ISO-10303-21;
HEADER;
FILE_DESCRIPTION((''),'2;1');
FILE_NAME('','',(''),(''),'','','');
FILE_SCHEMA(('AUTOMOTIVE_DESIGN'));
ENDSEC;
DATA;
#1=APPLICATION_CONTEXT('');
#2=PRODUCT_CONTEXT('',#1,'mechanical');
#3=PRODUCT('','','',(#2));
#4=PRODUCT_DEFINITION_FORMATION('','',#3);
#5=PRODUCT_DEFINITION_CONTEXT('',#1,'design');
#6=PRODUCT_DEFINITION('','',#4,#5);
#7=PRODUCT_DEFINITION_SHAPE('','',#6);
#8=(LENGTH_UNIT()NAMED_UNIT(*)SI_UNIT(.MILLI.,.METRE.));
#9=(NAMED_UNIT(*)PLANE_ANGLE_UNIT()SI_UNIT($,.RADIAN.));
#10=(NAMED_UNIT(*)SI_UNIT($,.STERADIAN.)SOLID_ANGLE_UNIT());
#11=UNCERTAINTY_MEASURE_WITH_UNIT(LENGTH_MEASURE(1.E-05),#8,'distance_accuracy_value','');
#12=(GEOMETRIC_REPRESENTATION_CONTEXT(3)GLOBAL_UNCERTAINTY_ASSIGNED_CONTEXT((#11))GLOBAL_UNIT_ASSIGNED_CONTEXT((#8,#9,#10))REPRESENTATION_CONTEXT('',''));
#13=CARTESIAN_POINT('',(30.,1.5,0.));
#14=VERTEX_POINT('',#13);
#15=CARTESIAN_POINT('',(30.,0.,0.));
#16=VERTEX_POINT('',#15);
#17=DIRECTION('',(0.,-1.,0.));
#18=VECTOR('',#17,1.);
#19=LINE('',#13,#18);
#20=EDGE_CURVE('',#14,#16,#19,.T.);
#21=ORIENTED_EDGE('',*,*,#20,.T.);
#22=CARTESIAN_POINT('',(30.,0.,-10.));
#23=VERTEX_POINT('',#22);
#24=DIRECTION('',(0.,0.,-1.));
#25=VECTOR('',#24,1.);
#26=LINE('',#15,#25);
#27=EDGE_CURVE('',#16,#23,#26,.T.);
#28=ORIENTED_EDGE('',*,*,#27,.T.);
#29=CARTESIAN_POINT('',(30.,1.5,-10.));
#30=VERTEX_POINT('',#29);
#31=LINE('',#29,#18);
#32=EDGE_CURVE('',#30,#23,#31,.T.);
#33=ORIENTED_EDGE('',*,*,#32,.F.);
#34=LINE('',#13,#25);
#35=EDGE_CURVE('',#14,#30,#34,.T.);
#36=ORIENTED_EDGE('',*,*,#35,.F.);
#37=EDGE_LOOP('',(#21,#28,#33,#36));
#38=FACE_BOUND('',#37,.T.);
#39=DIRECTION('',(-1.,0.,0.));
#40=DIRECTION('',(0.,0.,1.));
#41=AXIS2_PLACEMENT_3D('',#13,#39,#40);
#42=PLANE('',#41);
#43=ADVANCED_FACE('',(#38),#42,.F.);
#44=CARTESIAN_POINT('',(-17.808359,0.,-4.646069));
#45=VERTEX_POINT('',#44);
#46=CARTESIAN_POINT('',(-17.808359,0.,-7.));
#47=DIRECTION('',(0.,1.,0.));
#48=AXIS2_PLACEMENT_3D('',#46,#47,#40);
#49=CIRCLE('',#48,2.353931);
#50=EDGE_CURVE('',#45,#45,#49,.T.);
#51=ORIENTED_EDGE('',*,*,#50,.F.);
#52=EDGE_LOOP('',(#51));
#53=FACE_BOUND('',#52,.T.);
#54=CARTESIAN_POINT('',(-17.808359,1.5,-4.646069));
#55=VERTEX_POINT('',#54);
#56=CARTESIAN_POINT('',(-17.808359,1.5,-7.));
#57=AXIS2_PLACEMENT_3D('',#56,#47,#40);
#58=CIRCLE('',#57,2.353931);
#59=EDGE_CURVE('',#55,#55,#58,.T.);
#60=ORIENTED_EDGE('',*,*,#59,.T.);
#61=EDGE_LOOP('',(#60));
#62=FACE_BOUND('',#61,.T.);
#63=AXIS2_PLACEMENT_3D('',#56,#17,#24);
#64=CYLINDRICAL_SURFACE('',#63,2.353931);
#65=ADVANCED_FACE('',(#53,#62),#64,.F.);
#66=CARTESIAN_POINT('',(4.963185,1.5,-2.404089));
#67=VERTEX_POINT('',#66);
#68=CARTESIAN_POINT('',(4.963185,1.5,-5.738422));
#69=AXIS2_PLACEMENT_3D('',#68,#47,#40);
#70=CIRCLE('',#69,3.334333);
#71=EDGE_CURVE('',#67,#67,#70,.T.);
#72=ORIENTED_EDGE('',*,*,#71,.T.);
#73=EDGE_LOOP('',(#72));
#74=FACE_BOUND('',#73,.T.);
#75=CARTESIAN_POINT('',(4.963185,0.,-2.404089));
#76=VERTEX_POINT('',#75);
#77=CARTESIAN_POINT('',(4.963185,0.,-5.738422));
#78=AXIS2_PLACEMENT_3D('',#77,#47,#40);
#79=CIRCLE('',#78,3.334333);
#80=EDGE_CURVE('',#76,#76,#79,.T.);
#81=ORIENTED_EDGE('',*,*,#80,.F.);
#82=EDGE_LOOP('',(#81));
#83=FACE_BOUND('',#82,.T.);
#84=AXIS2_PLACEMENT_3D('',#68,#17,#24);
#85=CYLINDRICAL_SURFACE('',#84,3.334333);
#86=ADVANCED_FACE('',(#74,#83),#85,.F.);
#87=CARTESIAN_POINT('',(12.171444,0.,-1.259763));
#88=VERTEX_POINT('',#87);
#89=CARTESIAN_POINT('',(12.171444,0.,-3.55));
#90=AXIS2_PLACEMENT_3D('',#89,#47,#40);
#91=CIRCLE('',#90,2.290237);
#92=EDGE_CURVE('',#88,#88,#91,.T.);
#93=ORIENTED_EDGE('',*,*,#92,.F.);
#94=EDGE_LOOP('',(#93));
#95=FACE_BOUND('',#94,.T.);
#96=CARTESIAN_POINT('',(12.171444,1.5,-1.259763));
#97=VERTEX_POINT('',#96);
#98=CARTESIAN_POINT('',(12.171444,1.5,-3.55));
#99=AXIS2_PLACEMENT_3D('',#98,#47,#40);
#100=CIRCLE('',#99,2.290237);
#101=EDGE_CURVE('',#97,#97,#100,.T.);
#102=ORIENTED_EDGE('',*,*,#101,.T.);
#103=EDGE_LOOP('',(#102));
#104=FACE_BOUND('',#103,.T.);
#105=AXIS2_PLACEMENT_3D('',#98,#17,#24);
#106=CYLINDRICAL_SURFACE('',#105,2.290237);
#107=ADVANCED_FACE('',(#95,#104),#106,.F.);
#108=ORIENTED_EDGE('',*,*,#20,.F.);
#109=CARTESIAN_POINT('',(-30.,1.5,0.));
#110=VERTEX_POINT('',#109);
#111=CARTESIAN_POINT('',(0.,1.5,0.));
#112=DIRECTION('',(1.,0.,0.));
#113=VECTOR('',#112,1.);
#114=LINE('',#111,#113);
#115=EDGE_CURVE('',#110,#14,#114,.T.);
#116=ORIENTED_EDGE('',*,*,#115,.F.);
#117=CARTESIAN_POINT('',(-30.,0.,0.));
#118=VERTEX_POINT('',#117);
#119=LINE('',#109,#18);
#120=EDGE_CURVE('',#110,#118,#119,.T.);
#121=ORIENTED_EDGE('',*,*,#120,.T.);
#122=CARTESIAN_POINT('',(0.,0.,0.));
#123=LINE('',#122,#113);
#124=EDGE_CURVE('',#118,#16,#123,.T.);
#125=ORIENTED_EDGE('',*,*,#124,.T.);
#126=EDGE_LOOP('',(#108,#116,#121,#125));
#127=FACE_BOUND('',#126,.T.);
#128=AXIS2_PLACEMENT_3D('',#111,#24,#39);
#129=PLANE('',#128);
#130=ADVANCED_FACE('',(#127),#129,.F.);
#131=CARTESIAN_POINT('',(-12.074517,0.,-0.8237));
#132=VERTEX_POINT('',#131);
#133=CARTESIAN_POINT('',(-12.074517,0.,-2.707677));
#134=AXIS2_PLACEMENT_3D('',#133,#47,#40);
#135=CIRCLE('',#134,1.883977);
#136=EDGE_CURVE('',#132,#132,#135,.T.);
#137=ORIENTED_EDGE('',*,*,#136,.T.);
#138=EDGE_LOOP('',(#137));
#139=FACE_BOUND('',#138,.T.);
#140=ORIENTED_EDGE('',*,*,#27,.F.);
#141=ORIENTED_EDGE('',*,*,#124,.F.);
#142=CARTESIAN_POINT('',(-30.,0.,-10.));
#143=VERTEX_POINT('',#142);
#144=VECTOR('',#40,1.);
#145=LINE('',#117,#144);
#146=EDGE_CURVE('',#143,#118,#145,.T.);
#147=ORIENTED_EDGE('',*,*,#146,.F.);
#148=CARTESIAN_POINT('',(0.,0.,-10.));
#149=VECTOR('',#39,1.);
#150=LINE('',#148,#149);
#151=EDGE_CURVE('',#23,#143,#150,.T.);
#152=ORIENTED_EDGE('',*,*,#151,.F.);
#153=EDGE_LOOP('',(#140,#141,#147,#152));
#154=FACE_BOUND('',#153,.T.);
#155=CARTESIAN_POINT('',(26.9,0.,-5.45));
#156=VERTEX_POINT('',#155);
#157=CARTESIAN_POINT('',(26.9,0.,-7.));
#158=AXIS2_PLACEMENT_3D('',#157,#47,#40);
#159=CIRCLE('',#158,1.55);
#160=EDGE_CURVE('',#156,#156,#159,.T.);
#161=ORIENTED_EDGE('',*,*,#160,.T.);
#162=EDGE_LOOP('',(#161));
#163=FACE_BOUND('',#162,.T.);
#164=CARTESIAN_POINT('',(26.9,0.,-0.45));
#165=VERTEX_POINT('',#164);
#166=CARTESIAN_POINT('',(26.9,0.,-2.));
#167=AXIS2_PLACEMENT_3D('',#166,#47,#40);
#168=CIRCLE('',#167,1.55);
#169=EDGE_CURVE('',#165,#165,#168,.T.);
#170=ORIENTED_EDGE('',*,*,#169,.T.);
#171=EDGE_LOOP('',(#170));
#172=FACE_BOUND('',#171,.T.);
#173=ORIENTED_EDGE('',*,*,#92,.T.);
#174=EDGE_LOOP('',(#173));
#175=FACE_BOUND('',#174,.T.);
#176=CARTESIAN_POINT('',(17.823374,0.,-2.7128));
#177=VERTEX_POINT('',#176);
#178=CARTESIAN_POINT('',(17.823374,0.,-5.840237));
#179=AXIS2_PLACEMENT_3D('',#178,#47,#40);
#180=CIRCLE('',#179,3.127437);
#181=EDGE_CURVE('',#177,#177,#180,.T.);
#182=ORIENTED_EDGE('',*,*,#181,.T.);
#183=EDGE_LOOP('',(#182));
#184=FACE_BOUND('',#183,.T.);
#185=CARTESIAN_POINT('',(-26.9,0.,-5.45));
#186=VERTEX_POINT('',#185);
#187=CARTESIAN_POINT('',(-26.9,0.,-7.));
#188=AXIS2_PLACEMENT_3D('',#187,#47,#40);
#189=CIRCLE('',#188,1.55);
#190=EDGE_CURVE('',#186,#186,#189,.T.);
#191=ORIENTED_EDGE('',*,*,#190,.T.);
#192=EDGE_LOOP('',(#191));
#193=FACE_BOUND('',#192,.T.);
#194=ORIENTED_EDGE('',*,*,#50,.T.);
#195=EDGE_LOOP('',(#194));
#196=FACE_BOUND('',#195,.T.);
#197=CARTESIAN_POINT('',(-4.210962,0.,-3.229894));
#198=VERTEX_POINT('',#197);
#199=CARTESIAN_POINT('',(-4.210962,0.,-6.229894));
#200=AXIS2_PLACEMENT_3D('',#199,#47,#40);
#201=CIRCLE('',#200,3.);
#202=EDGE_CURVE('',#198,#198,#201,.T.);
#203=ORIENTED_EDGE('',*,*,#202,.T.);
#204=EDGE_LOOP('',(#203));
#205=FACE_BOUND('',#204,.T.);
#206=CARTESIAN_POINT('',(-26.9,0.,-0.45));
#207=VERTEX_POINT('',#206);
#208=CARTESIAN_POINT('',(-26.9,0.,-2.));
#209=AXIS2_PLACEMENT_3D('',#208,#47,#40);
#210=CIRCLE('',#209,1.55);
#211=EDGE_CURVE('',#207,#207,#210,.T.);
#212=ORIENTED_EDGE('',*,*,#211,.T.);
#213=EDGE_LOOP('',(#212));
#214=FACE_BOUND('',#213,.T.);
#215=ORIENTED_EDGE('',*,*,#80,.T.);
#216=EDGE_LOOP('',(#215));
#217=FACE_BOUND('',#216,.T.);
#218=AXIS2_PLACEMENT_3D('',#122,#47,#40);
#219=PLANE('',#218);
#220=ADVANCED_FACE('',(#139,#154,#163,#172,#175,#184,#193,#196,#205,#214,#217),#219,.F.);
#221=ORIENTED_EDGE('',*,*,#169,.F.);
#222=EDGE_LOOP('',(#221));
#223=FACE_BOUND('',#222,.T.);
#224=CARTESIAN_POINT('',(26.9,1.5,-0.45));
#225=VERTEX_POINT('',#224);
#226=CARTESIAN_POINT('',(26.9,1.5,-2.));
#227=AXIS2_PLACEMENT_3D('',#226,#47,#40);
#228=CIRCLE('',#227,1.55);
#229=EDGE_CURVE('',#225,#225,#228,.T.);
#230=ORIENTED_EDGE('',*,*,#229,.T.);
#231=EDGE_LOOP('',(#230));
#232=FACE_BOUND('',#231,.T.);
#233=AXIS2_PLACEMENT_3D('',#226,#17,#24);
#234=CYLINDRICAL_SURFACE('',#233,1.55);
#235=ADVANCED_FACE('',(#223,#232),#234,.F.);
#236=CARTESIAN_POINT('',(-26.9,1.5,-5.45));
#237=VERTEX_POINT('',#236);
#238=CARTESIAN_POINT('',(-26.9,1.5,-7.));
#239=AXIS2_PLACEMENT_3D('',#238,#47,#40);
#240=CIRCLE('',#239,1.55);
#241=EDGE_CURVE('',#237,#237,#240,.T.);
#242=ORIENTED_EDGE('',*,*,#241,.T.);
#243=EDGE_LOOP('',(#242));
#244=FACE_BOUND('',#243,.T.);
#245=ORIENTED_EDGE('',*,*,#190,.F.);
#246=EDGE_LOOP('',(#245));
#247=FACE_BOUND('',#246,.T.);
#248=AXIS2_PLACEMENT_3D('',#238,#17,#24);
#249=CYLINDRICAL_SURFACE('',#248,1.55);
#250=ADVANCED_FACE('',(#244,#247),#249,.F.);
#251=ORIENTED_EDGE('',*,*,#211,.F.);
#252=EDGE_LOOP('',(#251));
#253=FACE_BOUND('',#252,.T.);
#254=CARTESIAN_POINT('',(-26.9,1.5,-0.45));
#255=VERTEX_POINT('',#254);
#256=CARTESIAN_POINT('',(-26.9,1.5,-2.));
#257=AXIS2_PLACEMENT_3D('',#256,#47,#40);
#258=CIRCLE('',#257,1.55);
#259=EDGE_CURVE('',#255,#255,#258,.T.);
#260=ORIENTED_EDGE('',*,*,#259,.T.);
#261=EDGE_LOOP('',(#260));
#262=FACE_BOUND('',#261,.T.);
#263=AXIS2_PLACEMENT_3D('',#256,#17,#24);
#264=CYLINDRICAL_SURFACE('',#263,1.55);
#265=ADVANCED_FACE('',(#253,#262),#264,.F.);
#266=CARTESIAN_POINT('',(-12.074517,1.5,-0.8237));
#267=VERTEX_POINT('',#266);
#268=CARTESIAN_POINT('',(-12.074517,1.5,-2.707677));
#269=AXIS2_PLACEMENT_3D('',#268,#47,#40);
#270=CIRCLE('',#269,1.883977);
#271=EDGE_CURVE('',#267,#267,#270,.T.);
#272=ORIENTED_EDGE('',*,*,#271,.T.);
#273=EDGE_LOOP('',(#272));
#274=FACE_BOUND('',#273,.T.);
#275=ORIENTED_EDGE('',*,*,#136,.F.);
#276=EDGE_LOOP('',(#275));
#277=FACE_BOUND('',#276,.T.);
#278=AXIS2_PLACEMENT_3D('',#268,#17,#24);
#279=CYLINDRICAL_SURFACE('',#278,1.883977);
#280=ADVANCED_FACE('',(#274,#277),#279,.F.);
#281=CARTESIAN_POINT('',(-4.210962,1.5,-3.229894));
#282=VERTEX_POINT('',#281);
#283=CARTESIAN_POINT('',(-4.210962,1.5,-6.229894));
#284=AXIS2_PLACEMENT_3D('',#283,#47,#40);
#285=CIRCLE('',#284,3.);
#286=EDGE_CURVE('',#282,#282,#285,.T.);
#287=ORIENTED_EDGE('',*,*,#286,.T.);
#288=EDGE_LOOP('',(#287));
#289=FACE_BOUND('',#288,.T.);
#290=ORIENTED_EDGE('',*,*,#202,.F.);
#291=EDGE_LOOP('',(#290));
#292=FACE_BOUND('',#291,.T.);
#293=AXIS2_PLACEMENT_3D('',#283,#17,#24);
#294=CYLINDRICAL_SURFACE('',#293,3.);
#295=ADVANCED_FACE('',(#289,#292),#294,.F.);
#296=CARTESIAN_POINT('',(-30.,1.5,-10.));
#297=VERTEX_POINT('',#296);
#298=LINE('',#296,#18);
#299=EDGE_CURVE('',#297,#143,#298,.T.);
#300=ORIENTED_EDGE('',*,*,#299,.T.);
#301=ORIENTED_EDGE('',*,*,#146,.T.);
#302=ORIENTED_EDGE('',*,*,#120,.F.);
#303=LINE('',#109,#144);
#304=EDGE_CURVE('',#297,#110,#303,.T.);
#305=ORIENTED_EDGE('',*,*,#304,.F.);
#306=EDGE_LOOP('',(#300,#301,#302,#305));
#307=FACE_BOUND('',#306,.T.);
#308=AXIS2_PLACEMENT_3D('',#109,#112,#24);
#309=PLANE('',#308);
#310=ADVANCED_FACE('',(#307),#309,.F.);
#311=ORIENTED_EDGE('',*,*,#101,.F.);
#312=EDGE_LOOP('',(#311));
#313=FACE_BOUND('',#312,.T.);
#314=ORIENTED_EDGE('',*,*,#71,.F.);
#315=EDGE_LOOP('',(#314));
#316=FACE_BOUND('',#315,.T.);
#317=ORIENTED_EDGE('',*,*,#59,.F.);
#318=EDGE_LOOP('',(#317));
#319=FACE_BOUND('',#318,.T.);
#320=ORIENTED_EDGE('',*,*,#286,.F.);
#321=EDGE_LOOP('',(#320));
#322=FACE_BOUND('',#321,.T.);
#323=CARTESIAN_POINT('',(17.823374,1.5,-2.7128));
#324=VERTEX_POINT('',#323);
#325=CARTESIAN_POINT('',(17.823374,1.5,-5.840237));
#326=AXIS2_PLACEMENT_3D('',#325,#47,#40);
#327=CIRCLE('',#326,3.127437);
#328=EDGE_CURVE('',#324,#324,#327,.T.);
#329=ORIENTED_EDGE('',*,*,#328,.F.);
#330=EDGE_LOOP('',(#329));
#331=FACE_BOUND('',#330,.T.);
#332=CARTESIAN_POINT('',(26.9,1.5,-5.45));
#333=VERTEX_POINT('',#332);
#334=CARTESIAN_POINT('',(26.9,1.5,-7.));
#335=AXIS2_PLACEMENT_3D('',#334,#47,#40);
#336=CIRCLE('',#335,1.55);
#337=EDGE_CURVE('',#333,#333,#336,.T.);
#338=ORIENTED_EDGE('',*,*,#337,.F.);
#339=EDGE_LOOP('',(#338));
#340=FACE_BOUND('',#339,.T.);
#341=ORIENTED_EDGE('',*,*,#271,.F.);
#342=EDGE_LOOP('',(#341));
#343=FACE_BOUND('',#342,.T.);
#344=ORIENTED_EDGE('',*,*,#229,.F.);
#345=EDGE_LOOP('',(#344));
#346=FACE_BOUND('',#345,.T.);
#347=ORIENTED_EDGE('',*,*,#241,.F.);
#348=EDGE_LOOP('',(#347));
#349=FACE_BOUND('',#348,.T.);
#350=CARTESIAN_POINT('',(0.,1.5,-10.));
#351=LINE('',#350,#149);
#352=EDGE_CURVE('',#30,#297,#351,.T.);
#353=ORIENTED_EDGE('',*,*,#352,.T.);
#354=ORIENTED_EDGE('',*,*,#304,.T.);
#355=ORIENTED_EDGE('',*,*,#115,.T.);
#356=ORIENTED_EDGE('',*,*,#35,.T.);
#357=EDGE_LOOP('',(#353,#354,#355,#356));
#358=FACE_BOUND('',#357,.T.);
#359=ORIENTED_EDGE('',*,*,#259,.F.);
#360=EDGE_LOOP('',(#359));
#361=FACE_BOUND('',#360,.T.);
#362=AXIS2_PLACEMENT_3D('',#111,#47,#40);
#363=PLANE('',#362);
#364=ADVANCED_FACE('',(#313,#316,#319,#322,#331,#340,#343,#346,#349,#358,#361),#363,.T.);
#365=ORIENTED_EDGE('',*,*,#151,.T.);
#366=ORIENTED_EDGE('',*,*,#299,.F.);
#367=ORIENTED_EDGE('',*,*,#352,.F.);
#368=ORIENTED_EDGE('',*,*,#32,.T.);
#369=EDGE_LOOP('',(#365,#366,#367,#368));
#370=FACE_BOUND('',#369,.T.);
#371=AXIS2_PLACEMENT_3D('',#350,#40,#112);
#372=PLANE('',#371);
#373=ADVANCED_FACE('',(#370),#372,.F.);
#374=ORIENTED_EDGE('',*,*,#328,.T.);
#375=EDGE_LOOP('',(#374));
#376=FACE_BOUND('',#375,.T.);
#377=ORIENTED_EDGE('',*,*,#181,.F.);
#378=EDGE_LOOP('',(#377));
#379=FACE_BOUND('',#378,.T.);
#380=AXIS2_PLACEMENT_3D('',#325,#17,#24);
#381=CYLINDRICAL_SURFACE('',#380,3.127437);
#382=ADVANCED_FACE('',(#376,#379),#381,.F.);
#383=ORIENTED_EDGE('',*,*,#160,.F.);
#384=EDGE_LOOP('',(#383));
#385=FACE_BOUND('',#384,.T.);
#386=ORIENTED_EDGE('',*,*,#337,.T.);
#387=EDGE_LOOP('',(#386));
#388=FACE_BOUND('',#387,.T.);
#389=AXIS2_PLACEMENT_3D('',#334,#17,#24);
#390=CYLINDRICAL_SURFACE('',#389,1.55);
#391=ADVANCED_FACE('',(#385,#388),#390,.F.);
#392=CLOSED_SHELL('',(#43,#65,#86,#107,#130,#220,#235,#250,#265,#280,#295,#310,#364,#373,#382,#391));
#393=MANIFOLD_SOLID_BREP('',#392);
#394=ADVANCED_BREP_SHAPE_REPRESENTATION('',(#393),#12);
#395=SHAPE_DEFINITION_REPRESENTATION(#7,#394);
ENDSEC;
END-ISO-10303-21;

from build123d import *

# Parameters (mm, degrees)
SKETCH_1_R      = 3.127436884
SKETCH_1_R_2    = 2.290236854
SKETCH_1_R_3    = 3.334332824
SKETCH_1_R_4    = 3
SKETCH_1_R_5    = 1.883976709
SKETCH_1_R_6    = 2.353930843
SKETCH_1_R_7    = 1.55
EXTRUDE_1_DEPTH = 1.5


with BuildPart() as part:
    # 草图1 → 凸台-拉伸1 (new body)
    with BuildSketch(Plane(origin=(0, 0, 0), x_dir=(1, 0, 0), z_dir=(0, 1, 0))):
        Polygon((-30, 10), (-30, 0), (0, 0), (30, 0), (30, 10), align=None)
        with Locations((17.823374051, 5.840236854)):
            Circle(SKETCH_1_R, mode=Mode.SUBTRACT)
        with Locations((12.171443923, 3.55)):
            Circle(SKETCH_1_R_2, mode=Mode.SUBTRACT)
        with Locations((4.963185209, 5.738422027)):
            Circle(SKETCH_1_R_3, mode=Mode.SUBTRACT)
        with Locations((-4.210962245, 6.229894212)):
            Circle(SKETCH_1_R_4, mode=Mode.SUBTRACT)
        with Locations((-12.074517206, 2.707676886)):
            Circle(SKETCH_1_R_5, mode=Mode.SUBTRACT)
        with Locations((-17.808359365, 7)):
            Circle(SKETCH_1_R_6, mode=Mode.SUBTRACT)
        with Locations((-26.9, 2)):
            Circle(SKETCH_1_R_7, mode=Mode.SUBTRACT)
        with Locations((-26.9, 7)):
            Circle(SKETCH_1_R_7, mode=Mode.SUBTRACT)
        with Locations((26.9, 7)):
            Circle(SKETCH_1_R_7, mode=Mode.SUBTRACT)
        with Locations((26.9, 2)):
            Circle(SKETCH_1_R_7, mode=Mode.SUBTRACT)
    extrude(amount=EXTRUDE_1_DEPTH)


solid = part.part
